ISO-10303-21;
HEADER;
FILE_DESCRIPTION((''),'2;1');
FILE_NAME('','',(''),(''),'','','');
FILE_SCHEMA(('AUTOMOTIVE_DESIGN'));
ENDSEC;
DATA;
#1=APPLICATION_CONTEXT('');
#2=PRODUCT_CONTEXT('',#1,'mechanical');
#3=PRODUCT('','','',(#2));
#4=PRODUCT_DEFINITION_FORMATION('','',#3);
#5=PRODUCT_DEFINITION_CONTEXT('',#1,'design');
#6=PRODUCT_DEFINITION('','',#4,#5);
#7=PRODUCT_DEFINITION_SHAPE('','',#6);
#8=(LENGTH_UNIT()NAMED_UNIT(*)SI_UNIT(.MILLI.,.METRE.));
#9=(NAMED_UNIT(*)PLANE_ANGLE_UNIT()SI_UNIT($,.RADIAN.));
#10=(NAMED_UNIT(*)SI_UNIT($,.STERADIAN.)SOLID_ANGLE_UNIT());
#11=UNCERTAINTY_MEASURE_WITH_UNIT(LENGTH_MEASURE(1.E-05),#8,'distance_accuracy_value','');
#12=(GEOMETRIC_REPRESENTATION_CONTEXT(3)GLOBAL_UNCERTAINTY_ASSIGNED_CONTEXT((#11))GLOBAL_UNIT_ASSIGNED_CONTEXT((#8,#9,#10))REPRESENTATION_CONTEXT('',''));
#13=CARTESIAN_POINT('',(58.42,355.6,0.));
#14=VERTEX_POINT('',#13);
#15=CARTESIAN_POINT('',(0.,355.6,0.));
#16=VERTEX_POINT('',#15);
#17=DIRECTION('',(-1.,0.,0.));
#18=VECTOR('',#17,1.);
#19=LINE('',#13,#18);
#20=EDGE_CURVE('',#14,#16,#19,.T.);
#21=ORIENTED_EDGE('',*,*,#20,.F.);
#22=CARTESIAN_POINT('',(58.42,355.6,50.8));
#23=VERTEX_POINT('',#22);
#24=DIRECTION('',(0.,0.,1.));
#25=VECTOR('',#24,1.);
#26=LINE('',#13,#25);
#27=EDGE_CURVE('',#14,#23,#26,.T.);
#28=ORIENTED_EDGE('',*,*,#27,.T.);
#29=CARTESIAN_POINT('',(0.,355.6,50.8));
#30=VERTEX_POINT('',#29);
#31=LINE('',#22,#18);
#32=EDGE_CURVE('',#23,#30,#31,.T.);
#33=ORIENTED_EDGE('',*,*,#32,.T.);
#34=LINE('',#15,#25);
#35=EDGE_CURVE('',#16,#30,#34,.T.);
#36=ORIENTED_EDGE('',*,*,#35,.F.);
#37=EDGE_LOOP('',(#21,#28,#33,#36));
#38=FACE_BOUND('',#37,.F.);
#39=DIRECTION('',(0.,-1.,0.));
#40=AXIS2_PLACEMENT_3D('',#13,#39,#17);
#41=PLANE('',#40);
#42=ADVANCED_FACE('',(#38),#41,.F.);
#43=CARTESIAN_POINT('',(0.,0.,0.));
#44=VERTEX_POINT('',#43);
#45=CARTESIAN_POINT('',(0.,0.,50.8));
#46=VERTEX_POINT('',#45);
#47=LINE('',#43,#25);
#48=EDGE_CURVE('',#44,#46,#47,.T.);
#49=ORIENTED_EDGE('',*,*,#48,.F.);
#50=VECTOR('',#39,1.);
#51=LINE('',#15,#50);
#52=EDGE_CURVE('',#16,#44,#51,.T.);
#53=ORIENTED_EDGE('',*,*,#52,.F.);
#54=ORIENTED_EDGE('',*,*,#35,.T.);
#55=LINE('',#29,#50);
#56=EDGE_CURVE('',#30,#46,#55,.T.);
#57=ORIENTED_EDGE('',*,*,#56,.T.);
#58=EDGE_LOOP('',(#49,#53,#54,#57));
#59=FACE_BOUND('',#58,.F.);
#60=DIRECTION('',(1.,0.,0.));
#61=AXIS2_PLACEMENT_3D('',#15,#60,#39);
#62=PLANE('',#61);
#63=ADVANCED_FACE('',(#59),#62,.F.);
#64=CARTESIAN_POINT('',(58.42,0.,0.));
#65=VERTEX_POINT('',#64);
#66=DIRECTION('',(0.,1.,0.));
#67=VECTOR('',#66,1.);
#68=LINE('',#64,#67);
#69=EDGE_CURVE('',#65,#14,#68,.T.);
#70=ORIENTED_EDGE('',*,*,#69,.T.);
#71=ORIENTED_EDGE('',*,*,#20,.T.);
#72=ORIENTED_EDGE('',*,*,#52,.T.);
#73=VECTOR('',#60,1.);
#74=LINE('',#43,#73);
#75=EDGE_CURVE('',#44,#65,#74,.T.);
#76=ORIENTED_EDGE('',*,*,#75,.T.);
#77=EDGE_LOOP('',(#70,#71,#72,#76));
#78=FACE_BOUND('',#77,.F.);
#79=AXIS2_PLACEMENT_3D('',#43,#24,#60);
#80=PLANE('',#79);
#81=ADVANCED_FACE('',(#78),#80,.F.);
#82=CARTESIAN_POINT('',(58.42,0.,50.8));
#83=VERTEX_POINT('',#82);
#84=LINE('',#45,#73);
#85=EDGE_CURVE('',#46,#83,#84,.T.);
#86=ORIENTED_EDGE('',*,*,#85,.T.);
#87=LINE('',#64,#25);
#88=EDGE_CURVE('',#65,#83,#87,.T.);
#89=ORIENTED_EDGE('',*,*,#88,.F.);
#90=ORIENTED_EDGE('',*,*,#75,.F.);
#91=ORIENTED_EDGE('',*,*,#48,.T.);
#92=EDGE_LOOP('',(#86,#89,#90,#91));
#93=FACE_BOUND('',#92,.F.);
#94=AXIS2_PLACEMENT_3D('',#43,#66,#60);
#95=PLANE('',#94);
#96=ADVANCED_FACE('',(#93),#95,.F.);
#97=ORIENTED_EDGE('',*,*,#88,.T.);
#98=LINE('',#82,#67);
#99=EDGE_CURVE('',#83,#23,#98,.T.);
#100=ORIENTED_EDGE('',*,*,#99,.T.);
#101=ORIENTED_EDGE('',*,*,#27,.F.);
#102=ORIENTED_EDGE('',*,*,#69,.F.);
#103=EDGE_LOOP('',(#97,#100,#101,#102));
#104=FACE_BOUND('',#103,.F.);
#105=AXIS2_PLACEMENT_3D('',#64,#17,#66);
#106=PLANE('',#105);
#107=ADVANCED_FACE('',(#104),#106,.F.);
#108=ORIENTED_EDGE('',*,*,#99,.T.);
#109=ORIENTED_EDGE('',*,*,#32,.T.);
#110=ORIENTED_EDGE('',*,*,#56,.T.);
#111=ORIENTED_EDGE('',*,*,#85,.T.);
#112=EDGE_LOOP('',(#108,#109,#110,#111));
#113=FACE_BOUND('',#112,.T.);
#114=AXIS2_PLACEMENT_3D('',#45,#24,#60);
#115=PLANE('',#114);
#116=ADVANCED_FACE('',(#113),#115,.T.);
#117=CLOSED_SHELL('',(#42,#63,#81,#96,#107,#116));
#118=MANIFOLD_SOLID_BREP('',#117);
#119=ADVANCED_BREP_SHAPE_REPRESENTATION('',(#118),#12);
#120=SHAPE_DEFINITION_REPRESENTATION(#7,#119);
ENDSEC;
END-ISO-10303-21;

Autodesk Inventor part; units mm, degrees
ref_plane "YZ Plane" through (0, 0, 0) normal (1, 0, 0) x (0, 1, 0)
ref_plane "XZ Plane" through (0, 0, 0) normal (0, 1, 0) x (-1, 0, 0)
ref_plane "XY Plane" through (0, 0, 0) normal (0, 0, 1) x (1, 0, 0)
sketch "Sketch1" plane through (0, 0, 0) normal (0, 0, 1) x (1, 0, 0)
  line L0 (0, 0) -> (58.42, 0)
  line L1 (58.42, 0) -> (58.42, 355.6)
  line L2 (58.42, 355.6) -> (0, 355.6)
  line L3 (0, 355.6) -> (0, 0)
  dimension "d0" = 58.42
  dimension "d1" = 355.6
extrude "Extrusion1" add sketch "Sketch1" along normal blind 50.8
properties part number "BasicCapLift"
